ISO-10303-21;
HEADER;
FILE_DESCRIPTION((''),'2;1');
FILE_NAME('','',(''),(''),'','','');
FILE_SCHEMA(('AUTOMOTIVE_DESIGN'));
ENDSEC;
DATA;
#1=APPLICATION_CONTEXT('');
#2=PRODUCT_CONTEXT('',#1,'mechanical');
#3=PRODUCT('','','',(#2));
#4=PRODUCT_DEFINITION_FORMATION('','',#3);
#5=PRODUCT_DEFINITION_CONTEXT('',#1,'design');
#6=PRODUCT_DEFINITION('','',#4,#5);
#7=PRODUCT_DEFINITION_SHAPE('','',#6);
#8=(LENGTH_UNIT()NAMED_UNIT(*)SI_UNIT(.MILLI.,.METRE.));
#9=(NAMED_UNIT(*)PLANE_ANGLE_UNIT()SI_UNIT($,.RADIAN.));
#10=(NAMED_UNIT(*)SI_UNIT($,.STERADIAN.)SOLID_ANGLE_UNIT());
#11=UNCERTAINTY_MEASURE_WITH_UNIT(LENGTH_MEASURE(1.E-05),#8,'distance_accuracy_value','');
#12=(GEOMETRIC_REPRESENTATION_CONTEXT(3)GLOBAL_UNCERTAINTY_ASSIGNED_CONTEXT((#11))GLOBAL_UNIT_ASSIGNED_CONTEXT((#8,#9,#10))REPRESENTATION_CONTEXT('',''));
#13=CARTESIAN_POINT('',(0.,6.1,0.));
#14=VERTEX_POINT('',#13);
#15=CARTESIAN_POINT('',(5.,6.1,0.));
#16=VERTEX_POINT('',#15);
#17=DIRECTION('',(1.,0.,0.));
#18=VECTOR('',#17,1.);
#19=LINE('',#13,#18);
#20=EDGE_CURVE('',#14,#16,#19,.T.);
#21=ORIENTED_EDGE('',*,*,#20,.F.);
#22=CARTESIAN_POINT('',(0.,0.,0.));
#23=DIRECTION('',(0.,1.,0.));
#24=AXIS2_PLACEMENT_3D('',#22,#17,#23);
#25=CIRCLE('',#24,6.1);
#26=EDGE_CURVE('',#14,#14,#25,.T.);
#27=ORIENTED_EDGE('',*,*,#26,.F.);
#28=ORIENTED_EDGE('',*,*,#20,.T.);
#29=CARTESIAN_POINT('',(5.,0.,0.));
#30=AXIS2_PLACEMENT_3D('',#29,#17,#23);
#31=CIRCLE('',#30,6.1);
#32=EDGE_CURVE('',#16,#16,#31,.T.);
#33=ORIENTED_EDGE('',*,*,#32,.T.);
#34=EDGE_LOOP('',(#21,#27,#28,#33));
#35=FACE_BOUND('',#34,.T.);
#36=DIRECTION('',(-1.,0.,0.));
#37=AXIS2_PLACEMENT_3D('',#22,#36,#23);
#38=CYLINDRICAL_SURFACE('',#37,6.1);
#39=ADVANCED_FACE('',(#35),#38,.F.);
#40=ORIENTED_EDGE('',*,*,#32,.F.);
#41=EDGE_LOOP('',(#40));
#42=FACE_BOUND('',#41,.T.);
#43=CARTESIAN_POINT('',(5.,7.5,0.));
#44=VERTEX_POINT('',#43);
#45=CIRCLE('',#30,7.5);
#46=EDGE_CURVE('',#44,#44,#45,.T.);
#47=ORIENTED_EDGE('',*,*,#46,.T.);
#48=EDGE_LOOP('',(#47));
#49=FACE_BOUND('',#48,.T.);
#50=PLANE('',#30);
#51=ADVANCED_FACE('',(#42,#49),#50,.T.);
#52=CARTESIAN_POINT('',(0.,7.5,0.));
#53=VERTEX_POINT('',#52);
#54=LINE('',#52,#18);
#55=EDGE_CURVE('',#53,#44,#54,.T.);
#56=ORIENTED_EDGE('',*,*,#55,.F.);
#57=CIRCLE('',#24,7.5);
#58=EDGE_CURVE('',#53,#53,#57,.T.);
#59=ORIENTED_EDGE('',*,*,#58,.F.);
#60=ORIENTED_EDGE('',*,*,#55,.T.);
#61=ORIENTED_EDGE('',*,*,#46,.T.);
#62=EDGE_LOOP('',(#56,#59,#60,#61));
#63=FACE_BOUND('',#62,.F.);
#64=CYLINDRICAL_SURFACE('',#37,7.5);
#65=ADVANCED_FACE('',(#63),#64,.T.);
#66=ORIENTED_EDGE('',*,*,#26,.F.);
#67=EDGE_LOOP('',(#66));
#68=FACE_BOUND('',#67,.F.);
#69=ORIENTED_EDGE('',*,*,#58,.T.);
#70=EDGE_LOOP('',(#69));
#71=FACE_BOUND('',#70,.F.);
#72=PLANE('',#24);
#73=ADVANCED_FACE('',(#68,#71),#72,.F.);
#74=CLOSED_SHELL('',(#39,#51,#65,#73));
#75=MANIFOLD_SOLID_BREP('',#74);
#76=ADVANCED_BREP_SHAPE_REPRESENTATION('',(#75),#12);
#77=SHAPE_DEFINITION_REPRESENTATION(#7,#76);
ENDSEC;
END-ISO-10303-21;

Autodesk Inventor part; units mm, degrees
ref_plane "YZ Plane" through (0, 0, 0) normal (1, 0, 0) x (0, 1, 0)
ref_plane "XZ Plane" through (0, 0, 0) normal (0, 1, 0) x (-1, 0, 0)
ref_plane "XY Plane" through (0, 0, 0) normal (0, 0, 1) x (1, 0, 0)
sketch "スケッチ1" plane through (0, 0, 0) normal (1, 0, 0) x (0, 1, 0)
  circle A0 centre (0, 0) radius 7.5
  circle A1 centre (0, 0) radius 6.1
  dimension "d0" = 15
  dimension "d1" = 12.2
extrude "押し出し1" add sketch "スケッチ1" along normal blind 5
properties part number "dribl-v1-3DP-spesa-4" material "ABS プラスチック"
